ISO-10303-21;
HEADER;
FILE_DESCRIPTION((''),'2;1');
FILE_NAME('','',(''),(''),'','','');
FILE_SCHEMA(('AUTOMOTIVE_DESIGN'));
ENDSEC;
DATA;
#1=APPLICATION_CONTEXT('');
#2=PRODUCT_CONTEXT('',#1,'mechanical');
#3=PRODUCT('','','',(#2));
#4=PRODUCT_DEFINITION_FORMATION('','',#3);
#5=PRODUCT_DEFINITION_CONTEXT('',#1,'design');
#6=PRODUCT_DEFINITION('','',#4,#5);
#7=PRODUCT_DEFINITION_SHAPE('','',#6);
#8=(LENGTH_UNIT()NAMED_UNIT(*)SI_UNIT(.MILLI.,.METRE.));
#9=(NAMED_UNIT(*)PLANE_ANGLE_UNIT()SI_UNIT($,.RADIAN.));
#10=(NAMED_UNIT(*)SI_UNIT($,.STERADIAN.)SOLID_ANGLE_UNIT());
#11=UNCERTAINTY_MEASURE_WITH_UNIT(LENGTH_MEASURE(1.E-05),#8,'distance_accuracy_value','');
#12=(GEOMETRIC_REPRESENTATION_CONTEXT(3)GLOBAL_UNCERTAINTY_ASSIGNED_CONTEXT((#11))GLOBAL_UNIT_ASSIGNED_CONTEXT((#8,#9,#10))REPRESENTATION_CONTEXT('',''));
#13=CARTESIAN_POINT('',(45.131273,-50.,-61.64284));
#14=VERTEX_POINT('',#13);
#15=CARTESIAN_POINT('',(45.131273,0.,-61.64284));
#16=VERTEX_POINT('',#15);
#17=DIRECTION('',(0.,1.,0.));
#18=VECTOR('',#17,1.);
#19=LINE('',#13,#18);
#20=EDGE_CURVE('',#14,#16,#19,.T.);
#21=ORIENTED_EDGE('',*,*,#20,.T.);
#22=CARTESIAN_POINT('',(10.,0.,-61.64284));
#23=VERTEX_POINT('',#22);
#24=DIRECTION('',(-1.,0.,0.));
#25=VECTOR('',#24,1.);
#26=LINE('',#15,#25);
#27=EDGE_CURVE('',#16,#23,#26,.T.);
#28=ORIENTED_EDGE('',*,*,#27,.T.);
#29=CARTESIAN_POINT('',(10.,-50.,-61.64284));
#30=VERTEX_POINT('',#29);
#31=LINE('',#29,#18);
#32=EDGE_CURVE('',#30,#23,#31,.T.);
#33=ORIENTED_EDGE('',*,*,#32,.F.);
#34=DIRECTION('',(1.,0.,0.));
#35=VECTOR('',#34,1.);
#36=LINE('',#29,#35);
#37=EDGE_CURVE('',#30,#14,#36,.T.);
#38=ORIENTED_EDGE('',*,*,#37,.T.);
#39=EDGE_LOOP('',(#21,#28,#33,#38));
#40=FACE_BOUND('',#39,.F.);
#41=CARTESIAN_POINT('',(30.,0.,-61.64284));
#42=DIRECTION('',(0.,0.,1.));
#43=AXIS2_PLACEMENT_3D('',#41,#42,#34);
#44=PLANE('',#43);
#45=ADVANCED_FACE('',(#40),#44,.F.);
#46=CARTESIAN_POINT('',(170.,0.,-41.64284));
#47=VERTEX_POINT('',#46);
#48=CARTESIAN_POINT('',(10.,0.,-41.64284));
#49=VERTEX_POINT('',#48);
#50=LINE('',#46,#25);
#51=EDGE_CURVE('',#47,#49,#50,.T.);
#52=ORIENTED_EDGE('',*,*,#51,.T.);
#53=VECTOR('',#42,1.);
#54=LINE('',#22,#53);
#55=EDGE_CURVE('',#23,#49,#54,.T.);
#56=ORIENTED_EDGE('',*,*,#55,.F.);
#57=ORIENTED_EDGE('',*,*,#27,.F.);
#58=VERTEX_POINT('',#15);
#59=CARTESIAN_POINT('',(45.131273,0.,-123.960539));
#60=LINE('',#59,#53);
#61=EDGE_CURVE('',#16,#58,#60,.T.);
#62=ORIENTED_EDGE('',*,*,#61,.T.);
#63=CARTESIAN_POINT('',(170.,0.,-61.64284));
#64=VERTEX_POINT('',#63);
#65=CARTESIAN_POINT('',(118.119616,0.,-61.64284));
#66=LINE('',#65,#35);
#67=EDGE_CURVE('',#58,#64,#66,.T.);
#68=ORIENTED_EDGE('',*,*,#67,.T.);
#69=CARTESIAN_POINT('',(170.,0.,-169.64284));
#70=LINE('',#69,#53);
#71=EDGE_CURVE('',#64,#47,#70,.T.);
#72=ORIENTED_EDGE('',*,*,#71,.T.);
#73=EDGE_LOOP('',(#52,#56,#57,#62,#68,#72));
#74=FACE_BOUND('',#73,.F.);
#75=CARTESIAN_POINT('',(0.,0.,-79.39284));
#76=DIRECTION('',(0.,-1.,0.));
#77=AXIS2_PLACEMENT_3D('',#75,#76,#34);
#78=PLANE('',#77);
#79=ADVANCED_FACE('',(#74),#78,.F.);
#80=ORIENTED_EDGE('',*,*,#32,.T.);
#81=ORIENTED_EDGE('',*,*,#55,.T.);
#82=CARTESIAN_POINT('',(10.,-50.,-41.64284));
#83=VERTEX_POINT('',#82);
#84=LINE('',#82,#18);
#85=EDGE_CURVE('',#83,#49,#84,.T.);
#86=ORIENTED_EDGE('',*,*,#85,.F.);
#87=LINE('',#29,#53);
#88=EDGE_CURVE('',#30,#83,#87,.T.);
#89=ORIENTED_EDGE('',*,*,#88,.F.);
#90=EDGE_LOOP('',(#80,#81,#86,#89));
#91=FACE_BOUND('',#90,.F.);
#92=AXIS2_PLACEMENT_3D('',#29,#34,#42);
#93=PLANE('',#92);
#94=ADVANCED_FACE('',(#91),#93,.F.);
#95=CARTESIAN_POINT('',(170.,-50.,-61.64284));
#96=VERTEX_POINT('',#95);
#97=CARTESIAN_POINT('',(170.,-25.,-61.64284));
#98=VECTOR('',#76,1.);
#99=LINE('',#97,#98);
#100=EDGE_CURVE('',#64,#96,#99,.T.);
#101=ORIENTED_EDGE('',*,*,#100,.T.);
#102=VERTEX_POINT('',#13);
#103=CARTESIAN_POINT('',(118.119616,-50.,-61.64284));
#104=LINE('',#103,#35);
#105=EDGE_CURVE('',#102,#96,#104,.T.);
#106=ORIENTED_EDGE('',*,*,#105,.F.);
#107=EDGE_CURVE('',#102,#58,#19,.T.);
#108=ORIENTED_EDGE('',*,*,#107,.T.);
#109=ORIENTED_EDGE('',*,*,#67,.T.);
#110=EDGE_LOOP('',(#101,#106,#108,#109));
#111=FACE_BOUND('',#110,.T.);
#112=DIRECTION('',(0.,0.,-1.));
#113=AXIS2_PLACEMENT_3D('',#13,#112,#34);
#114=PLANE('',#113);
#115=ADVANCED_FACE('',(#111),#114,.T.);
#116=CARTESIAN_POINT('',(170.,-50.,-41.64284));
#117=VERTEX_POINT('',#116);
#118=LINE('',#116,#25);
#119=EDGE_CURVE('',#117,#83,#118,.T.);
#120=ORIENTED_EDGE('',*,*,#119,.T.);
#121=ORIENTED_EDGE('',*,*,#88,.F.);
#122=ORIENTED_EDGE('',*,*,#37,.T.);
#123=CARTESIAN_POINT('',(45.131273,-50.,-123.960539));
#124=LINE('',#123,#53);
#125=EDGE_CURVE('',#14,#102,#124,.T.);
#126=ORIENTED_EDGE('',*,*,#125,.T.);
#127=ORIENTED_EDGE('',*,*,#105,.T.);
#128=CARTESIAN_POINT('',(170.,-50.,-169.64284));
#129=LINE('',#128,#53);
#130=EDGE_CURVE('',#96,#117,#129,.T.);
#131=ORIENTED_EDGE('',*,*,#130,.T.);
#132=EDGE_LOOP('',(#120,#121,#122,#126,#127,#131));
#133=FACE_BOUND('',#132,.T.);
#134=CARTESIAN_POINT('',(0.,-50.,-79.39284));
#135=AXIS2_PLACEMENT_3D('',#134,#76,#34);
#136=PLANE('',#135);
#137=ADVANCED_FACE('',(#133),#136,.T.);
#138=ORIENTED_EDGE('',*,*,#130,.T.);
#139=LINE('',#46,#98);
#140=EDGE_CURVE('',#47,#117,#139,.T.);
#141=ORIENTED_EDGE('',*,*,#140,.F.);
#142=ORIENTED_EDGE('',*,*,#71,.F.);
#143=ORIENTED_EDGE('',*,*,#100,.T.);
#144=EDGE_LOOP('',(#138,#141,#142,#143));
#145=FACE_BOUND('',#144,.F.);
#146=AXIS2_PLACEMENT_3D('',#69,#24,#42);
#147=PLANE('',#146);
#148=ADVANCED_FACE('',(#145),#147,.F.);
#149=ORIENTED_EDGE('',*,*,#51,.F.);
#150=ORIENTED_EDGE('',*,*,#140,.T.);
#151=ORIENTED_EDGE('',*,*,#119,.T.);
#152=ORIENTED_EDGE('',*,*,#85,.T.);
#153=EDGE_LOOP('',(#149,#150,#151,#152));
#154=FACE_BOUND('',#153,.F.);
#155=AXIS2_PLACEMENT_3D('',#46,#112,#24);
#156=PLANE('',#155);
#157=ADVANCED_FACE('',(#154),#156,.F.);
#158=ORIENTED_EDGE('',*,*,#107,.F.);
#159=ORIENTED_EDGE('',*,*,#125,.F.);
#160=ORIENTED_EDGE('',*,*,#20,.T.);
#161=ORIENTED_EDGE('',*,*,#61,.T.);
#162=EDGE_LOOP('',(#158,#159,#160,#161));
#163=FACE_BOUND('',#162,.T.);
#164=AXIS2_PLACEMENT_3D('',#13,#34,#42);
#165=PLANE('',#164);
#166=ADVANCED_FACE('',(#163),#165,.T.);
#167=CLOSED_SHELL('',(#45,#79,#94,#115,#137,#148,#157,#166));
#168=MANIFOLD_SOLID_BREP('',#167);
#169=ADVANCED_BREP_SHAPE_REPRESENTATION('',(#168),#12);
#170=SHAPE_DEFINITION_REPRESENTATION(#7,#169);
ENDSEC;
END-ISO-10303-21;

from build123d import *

# Parameters (mm, degrees)
F1_DEPTH = 50
F2_W     = 47.489673
F2_H     = 124.635399
F2_W_2   = 145.976685
F3_DEPTH = 50


with BuildPart() as f1:
    # F0 (on Front) → F1 (new body)
    with BuildSketch(Plane.XZ):
        Polygon((170, -41.64284), (0, -41.64284), (-170, -41.64284), (-170, -169.64284), (-150, -169.64284), (-150, -61.64284), (-30, -61.64284), (0, -61.64284), (30, -61.64284), (150, -61.64284), (150, -169.64284), (170, -169.64284), align=None)
        Polygon((0, -61.64284), (-30, -61.64284), (-30, -169.64284), (0, -169.64284), (30, -169.64284), (30, -61.64284), align=None)
    extrude(amount=F1_DEPTH)

    # F2 (on face) → F3 (cut)
    with BuildSketch(Plane.XZ.offset(50)):
        Polygon((10, -41.64284), (-180.508152, -41.64284), (-180.508152, -61.64284), (-133.018479, -61.64284), (10, -61.64284), align=None)
        with Locations((-156.763315, -123.960539)):
            Rectangle(F2_W, F2_H)
        Polygon((45.131274, -61.64284), (10, -61.64284), (-133.018479, -61.64284), (-133.018479, -186.278239), (45.131274, -186.278239), align=None)
        with Locations((118.119616, -123.960539)):
            Rectangle(F2_W_2, F2_H)
    extrude(amount=-F3_DEPTH, mode=Mode.SUBTRACT)


solid = f1.part
